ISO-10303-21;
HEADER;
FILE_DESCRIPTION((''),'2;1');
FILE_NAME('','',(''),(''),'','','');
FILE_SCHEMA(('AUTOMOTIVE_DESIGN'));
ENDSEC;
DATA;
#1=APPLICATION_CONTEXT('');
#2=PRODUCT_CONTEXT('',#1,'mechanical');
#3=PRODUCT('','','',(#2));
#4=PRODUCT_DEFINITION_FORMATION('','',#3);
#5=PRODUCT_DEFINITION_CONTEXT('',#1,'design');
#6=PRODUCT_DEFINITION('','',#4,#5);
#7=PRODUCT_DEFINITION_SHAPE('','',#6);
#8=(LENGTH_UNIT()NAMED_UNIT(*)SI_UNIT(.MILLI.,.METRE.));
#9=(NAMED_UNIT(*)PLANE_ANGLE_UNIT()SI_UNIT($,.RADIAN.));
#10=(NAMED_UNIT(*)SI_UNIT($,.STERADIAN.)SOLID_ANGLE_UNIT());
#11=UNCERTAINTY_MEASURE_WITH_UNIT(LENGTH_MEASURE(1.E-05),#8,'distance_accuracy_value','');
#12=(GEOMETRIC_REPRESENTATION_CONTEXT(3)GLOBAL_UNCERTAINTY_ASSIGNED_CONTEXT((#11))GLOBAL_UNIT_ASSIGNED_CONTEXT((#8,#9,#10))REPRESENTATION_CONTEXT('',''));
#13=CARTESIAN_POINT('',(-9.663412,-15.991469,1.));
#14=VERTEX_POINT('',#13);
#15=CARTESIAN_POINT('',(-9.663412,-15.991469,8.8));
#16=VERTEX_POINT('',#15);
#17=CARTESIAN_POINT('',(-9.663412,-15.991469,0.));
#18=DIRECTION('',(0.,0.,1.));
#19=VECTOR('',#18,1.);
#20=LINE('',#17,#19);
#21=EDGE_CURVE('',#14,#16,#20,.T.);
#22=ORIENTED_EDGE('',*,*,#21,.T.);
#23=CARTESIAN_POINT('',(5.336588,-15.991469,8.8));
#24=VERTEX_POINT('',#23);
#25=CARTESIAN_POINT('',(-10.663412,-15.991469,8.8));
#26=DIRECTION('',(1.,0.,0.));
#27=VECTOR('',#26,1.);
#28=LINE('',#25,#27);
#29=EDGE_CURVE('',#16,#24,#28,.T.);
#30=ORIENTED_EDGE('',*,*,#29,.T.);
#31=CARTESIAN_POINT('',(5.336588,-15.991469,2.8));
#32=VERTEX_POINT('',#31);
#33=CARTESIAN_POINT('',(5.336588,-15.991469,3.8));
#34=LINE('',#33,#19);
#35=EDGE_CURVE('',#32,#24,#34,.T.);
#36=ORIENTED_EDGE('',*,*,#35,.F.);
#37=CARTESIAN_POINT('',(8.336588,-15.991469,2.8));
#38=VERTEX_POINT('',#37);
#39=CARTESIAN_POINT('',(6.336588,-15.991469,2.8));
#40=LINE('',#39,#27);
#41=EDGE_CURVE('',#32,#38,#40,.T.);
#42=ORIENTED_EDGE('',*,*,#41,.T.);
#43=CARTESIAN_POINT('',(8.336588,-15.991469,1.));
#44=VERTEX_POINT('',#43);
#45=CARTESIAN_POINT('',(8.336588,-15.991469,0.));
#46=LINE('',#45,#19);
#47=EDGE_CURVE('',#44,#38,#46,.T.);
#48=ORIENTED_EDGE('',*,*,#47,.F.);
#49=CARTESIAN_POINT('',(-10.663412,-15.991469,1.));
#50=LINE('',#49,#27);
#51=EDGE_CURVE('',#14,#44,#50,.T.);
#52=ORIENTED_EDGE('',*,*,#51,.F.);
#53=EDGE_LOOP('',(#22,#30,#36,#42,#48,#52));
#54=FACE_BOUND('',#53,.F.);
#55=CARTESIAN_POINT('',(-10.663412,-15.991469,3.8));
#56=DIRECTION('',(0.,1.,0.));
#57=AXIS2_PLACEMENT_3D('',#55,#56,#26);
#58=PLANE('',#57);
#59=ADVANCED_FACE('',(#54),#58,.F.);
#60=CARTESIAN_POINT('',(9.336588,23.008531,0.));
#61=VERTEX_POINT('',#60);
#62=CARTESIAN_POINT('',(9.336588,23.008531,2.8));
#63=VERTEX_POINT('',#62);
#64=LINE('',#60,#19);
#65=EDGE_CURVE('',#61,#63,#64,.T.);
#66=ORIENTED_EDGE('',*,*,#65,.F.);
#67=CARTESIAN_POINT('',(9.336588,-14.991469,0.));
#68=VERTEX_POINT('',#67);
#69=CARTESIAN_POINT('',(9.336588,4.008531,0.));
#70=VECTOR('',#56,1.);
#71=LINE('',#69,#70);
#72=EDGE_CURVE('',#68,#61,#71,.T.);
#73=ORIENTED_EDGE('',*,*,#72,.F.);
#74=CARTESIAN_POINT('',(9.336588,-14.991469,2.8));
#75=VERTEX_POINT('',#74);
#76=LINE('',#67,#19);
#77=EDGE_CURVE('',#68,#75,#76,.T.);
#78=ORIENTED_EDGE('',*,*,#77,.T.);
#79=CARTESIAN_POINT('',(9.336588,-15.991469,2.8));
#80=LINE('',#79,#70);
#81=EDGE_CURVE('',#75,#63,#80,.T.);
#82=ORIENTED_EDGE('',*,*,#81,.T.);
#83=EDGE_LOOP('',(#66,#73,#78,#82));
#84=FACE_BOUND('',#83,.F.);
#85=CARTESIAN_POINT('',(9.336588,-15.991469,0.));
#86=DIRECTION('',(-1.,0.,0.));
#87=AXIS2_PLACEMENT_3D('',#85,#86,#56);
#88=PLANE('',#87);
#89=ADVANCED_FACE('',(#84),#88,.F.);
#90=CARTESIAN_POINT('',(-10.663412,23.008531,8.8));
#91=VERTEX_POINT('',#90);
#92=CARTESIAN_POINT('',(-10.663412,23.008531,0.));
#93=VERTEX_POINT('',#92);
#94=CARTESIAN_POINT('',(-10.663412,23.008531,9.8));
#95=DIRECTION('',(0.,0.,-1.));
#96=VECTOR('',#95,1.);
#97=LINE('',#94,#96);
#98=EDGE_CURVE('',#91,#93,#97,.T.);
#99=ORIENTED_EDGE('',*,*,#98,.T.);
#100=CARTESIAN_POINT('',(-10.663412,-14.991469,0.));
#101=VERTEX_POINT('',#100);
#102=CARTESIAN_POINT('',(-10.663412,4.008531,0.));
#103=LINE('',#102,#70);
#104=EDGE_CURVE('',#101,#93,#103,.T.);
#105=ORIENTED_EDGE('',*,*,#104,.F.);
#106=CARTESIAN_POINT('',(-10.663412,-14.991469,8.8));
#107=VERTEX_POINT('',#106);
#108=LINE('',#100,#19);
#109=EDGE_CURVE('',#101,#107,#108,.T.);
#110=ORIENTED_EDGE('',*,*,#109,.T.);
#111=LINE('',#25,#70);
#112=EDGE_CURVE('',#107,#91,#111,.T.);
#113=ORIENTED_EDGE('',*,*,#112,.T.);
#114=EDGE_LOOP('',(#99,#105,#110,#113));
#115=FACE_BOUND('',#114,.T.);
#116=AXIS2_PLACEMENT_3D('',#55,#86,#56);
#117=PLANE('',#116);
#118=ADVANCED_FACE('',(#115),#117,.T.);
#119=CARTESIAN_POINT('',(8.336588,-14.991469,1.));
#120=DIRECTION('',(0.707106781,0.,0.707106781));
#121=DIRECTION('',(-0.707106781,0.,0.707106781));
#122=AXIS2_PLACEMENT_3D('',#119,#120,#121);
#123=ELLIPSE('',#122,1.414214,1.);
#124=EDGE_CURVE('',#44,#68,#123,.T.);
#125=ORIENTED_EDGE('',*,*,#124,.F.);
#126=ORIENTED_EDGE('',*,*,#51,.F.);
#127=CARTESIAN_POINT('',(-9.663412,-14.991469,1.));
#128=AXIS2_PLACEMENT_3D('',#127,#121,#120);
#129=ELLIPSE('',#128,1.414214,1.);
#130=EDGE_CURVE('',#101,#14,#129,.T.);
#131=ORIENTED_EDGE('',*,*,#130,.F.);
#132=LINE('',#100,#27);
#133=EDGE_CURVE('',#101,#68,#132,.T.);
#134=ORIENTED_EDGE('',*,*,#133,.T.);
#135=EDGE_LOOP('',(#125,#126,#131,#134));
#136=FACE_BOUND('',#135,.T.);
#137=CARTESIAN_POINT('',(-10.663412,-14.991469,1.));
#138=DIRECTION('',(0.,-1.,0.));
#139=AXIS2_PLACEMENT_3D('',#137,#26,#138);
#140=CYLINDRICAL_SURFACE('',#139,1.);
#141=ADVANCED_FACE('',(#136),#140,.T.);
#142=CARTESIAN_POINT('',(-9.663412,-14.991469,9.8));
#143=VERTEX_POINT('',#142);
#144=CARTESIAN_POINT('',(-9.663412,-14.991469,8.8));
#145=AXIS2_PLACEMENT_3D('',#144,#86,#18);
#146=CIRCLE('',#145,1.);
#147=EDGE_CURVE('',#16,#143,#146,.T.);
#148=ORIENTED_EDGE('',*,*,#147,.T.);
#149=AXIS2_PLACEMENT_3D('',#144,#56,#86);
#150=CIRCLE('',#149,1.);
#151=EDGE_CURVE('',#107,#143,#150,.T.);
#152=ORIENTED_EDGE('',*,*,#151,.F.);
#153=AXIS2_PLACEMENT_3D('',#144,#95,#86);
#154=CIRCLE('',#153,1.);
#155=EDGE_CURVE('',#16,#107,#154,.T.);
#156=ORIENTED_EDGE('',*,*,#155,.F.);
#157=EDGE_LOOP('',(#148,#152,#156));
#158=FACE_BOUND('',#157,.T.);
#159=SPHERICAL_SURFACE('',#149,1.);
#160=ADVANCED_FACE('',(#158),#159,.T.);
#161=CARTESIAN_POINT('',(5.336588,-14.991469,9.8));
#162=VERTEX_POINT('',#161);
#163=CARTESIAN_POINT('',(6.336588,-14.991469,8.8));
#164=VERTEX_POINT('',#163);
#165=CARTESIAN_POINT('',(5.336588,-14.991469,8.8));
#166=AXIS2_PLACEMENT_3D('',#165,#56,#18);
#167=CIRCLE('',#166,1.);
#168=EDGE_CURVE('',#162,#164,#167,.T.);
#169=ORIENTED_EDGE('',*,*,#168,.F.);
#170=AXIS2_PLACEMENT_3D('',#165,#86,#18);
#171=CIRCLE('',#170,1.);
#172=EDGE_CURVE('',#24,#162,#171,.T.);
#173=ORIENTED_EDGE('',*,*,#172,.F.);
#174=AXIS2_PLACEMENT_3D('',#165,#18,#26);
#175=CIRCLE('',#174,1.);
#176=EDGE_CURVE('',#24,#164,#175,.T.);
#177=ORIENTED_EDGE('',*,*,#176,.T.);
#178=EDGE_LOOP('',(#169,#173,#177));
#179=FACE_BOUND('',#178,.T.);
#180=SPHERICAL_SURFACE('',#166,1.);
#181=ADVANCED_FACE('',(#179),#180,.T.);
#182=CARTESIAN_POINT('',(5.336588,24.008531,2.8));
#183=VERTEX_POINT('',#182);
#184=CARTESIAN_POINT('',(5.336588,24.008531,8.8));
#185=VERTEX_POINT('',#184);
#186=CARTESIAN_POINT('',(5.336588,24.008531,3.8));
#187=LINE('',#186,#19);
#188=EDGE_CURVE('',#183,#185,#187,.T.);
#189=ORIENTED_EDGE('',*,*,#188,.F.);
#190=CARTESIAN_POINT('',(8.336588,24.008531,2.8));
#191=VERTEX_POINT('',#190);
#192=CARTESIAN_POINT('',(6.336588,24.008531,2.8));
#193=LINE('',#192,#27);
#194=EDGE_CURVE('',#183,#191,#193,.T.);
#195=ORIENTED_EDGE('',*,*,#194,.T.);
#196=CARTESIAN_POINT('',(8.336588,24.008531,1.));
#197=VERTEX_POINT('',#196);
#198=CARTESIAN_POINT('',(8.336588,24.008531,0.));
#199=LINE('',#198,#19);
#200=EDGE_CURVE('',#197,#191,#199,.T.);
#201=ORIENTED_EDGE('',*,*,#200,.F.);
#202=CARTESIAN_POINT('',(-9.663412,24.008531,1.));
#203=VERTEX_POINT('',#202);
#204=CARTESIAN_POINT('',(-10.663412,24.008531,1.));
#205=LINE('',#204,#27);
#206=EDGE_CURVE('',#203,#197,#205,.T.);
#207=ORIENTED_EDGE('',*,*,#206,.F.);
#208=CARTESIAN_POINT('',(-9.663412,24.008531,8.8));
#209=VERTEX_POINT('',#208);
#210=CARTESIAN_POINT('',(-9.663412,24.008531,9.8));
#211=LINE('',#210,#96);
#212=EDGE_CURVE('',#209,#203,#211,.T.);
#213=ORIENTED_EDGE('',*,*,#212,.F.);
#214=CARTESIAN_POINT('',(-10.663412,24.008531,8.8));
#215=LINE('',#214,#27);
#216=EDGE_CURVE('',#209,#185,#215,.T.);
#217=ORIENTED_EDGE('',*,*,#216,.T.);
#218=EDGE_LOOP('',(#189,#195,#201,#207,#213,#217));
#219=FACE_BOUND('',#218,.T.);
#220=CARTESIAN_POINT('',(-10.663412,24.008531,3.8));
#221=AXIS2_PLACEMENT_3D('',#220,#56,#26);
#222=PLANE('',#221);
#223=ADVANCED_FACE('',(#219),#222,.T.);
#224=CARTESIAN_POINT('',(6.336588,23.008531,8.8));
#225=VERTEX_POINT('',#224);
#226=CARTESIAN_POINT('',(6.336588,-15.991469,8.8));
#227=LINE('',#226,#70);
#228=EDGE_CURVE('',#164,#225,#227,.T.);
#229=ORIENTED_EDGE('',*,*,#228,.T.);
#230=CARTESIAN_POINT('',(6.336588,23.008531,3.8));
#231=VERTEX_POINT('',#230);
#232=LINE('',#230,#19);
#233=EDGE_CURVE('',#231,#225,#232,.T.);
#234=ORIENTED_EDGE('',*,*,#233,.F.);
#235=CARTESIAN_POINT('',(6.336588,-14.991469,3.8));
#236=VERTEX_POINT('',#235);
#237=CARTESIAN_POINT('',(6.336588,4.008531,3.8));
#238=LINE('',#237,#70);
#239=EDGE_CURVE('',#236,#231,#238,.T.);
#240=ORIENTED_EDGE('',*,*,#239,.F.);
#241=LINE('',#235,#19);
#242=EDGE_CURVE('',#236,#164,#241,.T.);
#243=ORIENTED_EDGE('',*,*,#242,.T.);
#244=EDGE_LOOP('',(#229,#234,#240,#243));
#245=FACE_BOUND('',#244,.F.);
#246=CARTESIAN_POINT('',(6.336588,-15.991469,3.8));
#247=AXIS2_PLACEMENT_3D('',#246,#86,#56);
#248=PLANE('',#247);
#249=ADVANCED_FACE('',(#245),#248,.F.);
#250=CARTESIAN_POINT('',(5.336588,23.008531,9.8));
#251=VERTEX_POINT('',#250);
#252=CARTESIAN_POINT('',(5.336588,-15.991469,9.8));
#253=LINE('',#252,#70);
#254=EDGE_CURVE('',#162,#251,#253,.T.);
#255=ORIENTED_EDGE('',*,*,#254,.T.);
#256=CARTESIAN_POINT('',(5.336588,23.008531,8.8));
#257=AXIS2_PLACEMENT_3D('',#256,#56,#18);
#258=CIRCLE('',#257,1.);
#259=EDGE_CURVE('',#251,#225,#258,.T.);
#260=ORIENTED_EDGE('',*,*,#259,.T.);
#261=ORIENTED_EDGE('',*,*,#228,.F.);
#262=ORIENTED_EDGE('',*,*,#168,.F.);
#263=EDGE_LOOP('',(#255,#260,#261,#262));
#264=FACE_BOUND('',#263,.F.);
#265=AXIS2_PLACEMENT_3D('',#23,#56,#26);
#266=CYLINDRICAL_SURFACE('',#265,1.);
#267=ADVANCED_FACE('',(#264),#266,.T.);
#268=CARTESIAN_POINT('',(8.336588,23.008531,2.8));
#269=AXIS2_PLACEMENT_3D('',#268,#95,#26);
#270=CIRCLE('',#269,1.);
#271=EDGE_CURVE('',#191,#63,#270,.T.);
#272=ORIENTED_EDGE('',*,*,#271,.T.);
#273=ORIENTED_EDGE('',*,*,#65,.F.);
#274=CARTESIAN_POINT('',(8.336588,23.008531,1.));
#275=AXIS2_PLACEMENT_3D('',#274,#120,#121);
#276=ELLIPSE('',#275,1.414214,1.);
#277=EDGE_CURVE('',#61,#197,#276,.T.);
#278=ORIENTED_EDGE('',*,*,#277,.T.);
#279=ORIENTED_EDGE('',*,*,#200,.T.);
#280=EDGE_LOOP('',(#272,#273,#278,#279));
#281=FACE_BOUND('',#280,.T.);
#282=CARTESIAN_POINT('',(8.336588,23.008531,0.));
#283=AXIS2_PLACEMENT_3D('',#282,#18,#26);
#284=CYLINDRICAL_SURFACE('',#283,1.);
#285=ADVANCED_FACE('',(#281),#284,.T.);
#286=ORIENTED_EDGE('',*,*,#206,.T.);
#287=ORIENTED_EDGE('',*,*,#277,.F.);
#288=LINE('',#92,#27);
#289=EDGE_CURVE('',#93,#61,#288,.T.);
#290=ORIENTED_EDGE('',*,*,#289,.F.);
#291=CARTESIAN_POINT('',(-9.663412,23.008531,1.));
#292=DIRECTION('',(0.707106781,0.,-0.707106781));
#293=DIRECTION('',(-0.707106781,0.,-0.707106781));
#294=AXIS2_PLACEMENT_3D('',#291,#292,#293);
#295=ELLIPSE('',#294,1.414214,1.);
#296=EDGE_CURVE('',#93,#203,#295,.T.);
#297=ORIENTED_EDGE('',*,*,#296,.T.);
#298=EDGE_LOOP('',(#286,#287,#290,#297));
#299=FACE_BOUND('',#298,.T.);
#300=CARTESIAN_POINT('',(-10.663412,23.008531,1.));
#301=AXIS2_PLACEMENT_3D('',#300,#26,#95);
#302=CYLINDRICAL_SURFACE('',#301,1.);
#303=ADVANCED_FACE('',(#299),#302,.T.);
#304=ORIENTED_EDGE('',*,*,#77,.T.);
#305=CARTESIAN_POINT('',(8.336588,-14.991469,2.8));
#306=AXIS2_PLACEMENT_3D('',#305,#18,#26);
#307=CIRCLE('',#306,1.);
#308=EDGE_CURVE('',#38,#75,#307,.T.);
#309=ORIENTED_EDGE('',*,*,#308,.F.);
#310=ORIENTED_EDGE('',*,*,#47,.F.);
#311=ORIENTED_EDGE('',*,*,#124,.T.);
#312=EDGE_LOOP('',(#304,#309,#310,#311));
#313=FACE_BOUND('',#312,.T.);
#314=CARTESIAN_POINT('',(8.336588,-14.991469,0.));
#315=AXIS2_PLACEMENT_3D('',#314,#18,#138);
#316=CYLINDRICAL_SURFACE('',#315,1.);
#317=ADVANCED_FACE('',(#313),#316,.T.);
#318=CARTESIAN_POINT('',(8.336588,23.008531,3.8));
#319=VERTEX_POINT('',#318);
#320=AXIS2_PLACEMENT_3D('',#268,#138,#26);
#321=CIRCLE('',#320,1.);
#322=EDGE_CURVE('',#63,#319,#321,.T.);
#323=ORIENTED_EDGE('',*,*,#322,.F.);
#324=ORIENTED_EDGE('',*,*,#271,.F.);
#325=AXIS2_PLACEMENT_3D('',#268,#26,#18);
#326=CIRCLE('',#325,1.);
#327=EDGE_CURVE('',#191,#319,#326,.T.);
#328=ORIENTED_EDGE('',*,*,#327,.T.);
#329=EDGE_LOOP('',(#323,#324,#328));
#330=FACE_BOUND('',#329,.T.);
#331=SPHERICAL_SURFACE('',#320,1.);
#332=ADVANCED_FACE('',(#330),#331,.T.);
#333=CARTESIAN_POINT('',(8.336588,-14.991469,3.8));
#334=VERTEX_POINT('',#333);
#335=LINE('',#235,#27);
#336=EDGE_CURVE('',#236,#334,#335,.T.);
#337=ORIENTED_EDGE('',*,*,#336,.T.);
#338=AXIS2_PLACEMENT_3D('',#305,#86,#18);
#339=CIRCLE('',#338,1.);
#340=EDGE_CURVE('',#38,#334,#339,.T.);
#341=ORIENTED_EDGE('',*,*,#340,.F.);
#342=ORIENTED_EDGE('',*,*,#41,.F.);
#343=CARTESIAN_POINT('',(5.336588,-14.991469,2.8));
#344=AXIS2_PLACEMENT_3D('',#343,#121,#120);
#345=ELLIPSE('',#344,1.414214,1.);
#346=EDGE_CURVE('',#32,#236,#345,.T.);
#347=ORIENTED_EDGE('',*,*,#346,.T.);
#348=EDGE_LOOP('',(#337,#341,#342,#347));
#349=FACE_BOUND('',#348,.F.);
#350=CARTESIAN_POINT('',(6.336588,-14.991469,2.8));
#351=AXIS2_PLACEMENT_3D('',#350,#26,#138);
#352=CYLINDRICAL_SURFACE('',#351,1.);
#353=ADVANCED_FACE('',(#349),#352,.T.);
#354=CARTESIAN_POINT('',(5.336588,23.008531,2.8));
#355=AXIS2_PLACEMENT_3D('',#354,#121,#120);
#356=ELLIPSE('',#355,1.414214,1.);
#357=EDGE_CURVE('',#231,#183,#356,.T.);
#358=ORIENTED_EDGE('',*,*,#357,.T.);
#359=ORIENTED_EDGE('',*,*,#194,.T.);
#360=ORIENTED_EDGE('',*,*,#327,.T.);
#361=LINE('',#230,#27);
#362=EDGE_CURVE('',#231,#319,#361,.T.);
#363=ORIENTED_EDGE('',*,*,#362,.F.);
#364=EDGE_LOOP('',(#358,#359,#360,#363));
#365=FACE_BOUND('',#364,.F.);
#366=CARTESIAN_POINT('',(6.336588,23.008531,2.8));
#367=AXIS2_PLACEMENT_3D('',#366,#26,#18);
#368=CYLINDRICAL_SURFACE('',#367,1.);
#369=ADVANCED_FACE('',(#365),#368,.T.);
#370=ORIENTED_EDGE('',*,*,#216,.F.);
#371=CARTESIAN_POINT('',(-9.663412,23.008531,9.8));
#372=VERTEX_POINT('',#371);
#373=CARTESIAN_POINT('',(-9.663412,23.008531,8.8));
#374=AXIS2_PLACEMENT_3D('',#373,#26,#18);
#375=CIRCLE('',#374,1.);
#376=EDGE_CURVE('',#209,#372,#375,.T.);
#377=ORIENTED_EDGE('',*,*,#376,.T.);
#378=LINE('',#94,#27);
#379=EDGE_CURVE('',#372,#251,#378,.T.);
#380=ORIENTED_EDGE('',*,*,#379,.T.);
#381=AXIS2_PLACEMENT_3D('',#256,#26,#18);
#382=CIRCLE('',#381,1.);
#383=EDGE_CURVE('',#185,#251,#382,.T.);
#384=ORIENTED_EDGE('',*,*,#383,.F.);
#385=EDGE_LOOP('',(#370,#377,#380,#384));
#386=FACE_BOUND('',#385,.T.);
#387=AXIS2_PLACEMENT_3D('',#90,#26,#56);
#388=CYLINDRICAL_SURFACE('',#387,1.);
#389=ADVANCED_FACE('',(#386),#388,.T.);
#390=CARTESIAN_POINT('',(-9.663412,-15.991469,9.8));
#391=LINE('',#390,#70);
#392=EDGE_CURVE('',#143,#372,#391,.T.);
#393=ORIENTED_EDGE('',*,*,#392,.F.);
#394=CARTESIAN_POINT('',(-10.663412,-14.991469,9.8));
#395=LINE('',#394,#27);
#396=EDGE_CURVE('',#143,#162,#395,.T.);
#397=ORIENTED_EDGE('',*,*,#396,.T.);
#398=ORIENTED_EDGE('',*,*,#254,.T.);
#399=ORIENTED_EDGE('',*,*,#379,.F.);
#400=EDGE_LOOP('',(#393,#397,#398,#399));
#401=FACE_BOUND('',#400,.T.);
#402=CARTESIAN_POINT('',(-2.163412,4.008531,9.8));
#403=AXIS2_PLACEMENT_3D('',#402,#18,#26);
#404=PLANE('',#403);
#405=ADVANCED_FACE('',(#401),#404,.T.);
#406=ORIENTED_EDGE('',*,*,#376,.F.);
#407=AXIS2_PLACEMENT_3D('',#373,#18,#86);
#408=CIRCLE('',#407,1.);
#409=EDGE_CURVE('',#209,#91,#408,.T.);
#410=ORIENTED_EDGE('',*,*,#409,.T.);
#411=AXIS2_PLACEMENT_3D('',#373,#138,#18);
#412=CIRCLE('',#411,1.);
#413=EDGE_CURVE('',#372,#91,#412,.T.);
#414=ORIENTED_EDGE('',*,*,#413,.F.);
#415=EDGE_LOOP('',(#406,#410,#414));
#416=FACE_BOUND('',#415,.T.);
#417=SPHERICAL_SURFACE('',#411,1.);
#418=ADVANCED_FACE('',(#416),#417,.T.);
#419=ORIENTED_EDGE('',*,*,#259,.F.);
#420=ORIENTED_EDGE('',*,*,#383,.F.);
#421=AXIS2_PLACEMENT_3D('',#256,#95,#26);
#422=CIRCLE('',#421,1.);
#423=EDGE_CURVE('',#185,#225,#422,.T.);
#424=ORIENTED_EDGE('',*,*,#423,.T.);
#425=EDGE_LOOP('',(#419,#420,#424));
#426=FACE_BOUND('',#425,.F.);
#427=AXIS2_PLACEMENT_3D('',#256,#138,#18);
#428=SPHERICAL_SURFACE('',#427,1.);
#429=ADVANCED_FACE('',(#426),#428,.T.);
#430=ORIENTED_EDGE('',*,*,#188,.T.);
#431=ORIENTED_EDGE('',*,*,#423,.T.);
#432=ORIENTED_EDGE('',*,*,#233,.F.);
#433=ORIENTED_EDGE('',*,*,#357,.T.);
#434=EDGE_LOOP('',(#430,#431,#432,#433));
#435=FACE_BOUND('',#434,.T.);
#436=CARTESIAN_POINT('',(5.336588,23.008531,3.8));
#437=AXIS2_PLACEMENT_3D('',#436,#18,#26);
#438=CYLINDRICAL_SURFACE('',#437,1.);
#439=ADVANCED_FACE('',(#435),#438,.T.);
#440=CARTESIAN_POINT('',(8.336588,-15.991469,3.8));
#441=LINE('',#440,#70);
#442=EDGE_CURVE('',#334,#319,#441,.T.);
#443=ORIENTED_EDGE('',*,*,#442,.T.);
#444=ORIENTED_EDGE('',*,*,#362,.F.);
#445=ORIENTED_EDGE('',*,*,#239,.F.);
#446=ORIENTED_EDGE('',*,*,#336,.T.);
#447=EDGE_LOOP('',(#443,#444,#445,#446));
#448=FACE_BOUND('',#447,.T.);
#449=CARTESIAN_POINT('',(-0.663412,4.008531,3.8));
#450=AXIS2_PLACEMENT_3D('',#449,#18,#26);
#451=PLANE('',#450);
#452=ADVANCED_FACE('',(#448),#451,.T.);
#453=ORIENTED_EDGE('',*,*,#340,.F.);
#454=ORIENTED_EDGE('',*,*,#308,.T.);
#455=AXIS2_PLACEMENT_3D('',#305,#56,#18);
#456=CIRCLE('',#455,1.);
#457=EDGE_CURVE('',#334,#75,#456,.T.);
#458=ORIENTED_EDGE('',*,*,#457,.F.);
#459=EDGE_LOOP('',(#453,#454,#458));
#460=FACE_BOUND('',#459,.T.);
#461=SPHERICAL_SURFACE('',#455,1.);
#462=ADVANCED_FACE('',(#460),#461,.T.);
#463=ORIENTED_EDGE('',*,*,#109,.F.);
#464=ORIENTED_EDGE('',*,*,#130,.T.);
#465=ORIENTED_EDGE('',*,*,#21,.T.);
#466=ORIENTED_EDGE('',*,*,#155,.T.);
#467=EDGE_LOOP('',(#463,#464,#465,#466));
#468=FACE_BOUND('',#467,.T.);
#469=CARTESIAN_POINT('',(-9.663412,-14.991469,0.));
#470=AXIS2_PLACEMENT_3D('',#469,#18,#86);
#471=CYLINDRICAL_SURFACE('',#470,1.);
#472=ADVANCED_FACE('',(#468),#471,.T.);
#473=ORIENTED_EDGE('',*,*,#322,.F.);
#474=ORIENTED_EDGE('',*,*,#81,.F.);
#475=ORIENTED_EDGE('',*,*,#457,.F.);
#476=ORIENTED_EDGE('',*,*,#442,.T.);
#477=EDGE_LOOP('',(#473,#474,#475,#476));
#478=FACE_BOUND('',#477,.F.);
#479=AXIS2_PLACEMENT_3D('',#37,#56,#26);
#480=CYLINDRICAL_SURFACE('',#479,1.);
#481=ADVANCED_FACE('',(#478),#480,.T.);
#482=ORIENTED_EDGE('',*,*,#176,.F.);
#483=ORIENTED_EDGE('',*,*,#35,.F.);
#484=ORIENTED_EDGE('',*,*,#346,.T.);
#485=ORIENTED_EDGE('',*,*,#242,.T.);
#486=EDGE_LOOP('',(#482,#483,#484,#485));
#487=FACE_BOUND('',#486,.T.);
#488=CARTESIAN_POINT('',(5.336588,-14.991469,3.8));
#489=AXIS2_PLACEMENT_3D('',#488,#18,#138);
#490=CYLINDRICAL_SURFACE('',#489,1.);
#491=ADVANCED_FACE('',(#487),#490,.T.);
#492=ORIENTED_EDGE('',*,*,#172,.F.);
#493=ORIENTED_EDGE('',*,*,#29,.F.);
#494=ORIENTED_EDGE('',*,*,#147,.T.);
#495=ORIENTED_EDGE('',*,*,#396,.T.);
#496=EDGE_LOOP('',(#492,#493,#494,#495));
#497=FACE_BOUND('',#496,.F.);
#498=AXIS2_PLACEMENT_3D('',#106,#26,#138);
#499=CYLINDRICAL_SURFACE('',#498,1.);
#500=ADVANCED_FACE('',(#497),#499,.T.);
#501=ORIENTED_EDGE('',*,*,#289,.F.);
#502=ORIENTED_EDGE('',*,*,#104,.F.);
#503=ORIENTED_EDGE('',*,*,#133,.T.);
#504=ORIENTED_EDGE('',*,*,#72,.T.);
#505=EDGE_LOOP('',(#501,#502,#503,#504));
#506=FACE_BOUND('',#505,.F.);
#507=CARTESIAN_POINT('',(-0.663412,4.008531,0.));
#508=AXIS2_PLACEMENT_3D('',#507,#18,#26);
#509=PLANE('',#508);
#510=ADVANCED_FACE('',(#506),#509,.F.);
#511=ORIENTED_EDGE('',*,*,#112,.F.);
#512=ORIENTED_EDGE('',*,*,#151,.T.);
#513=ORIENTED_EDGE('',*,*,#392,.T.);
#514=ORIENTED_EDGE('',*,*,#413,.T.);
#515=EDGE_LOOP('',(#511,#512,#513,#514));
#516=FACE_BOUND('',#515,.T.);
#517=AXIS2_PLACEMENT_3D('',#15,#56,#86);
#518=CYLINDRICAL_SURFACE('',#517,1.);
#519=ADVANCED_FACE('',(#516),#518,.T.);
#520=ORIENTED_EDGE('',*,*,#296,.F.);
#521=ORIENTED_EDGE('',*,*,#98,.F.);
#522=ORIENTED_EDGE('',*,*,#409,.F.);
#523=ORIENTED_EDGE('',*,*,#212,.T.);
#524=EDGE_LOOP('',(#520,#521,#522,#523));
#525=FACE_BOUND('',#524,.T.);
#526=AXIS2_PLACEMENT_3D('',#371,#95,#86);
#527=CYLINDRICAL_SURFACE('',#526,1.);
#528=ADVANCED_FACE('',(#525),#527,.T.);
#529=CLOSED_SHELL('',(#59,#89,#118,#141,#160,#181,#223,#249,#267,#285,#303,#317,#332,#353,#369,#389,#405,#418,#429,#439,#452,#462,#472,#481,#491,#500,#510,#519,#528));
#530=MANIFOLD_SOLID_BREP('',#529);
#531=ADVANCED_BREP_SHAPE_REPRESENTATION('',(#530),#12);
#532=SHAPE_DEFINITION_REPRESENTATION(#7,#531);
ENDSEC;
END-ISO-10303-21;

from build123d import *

# Parameters (mm, degrees)
F0_W     = 20
F0_H     = 40
F1_DEPTH = 3.8
F2_W     = 17
F2_H     = 40
F3_DEPTH = 6
F4_R     = 1


with BuildPart() as f1:
    # F0 (on Top) → F1 (new body)
    with BuildSketch(Plane.XY):
        with Locations((-0.663412, 4.008531)):
            Rectangle(F0_W, F0_H)
    extrude(amount=F1_DEPTH)

    # F2 (on face) → F3 (join)
    with BuildSketch(Plane.XY.offset(3.8)):
        with Locations((-2.163412, 4.008531)):
            Rectangle(F2_W, F2_H)
    extrude(amount=F3_DEPTH)

    # F4
    f4_edges = [f1.edges().sort_by_distance(p)[0] for p in [
        (6.336588, 4.008531, 9.8),
        (-10.663412, 4.008531, 9.8),
        (9.336588, 4.008531, 3.8),
        (-2.163412, 24.008531, 9.8),
        (9.336588, 24.008531, 1.9),
        (7.836588, 24.008531, 3.8),
        (6.336588, 24.008531, 6.8),
        (-10.663412, 24.008531, 4.9),
        (-0.663412, 24.008531, 0),
        (-10.663412, -15.991469, 4.9),
        (-2.163412, -15.991469, 9.8),
        (6.336588, -15.991469, 6.8),
        (7.836588, -15.991469, 3.8),
        (9.336588, -15.991469, 1.9),
        (-0.663412, -15.991469, 0),
    ]]
    fillet(f4_edges, radius=F4_R)


solid = f1.part
